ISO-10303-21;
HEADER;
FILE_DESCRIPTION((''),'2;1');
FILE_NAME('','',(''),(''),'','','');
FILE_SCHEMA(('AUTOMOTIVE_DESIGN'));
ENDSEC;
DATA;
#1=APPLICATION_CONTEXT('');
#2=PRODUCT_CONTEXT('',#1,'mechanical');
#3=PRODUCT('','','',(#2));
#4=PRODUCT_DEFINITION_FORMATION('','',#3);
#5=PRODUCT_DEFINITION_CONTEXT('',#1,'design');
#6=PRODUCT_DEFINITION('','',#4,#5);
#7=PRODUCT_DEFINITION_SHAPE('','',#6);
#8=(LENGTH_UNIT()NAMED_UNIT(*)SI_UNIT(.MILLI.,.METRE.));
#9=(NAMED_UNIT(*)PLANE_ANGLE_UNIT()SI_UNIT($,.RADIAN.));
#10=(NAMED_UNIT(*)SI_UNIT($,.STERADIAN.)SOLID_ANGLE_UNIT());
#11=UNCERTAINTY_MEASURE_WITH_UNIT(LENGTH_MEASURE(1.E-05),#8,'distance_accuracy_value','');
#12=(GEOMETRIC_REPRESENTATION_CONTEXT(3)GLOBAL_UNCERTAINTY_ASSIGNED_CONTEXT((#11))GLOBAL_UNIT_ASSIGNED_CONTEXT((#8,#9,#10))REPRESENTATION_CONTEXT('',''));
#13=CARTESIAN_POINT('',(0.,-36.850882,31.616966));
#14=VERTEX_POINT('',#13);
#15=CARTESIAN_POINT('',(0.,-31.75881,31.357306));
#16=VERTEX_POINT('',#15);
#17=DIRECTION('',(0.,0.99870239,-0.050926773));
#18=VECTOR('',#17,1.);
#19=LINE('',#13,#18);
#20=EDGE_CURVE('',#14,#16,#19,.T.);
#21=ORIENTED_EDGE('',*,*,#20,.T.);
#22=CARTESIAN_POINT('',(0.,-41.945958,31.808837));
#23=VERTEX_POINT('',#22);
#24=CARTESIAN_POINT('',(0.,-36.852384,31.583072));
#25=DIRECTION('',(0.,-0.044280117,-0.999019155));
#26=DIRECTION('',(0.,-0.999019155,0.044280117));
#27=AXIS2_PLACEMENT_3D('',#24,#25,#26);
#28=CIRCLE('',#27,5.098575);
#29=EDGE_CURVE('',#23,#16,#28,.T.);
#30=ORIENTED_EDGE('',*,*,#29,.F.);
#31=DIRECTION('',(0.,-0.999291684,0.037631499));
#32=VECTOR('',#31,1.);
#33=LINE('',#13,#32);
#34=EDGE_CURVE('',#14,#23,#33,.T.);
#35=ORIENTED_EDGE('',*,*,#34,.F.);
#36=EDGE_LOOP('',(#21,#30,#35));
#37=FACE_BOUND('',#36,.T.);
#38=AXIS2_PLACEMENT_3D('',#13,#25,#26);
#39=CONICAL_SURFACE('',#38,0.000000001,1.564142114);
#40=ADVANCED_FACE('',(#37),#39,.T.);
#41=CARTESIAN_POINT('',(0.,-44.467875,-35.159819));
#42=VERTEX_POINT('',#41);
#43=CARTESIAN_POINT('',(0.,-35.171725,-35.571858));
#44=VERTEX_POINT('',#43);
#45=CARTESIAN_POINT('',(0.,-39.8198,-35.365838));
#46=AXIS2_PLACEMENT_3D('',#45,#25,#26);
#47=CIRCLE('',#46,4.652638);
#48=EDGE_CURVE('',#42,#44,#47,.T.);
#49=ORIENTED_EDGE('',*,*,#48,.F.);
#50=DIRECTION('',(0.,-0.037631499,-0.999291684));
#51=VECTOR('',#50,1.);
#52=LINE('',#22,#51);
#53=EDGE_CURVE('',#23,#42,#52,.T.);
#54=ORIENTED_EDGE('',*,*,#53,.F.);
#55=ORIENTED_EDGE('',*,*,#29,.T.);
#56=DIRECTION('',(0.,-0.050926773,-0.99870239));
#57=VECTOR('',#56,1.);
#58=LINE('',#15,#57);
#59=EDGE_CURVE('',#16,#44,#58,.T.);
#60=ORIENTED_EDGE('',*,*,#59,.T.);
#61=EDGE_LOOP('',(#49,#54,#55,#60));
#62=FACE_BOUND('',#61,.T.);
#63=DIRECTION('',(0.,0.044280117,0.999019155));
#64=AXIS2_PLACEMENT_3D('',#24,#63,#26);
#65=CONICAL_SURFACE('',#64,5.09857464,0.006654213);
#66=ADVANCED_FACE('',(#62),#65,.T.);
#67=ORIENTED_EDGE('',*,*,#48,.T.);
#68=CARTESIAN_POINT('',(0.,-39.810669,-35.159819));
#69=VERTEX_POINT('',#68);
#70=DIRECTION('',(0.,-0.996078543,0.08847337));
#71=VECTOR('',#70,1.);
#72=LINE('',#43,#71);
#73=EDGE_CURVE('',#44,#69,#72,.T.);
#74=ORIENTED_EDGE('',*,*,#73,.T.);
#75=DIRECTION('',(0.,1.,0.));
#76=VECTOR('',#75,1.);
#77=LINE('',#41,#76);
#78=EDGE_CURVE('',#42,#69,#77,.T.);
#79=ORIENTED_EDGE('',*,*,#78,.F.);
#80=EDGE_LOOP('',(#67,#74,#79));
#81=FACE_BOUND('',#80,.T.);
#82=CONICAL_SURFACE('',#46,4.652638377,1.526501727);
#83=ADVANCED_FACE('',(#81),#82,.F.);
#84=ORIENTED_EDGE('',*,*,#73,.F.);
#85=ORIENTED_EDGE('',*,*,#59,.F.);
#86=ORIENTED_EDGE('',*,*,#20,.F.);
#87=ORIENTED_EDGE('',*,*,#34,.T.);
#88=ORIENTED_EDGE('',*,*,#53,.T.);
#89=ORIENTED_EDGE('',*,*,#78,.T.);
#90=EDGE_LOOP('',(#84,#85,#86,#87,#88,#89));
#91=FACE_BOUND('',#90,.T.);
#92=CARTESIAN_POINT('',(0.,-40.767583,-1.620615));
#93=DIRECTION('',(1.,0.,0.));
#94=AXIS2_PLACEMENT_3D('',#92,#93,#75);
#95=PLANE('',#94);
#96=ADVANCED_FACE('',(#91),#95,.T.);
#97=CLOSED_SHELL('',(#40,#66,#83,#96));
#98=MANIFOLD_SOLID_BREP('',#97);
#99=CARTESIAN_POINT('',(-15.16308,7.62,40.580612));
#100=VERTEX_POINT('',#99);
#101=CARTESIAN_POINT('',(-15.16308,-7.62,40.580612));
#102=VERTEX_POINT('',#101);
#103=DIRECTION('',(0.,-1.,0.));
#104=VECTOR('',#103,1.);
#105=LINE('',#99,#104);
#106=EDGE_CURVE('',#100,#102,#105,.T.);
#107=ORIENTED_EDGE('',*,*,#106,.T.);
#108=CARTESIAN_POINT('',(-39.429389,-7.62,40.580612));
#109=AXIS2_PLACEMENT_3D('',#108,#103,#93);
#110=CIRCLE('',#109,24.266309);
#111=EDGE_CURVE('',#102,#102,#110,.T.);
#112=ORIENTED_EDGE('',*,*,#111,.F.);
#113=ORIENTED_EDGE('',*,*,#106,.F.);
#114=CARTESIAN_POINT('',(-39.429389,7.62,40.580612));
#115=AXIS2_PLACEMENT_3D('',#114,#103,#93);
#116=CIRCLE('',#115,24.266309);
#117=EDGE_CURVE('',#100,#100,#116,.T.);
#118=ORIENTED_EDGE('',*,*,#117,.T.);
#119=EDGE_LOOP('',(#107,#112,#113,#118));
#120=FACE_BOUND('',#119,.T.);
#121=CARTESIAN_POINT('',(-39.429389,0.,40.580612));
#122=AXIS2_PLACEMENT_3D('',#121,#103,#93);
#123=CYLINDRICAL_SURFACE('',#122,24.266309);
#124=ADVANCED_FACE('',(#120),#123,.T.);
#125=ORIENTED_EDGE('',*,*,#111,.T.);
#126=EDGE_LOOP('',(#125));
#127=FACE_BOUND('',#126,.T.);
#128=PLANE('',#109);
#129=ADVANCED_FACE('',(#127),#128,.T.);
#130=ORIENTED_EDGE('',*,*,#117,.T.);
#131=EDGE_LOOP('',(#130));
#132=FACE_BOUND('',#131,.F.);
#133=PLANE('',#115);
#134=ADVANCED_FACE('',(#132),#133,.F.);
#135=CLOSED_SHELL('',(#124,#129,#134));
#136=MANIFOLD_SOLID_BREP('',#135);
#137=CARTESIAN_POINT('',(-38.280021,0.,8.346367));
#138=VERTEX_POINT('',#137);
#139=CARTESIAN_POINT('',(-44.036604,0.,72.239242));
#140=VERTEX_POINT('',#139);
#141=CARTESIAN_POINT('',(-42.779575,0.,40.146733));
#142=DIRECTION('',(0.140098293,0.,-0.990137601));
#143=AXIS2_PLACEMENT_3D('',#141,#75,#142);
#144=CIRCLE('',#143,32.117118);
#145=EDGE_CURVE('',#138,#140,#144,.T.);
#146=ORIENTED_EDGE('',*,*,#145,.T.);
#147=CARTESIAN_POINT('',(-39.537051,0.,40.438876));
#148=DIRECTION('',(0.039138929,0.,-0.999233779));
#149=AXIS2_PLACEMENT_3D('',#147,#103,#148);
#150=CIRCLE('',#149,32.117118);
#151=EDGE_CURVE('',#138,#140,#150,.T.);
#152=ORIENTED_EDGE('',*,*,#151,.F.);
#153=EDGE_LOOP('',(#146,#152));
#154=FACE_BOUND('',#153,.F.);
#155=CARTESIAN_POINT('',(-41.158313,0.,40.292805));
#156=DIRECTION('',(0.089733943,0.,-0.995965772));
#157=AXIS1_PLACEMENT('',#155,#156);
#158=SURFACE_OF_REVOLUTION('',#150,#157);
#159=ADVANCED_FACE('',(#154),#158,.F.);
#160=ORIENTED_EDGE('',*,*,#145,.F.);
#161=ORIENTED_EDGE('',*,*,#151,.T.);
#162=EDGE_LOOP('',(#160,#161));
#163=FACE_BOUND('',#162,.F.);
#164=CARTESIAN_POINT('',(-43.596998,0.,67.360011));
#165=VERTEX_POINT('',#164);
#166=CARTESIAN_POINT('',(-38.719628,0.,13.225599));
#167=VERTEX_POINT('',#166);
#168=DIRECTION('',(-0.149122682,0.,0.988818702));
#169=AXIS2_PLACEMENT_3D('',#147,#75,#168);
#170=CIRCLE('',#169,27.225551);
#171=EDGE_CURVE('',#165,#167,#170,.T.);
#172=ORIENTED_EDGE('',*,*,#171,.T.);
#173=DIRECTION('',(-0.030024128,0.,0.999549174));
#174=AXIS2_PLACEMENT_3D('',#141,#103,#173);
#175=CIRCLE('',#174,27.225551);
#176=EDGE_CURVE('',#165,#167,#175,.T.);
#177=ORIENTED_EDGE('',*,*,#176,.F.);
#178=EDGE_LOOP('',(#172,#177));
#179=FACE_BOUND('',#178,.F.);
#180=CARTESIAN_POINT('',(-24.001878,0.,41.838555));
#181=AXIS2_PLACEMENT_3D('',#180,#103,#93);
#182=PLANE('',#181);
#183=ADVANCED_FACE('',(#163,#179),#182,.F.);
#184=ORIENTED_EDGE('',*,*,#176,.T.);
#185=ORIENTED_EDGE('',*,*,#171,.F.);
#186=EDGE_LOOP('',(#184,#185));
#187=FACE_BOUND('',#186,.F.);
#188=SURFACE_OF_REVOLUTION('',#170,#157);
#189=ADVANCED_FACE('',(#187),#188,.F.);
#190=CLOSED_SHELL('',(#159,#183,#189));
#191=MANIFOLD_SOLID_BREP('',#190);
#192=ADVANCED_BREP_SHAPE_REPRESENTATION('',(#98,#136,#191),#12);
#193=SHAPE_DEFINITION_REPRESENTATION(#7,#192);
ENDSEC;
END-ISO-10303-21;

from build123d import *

# Parameters (mm, degrees)
F1_ANGLE = 180
F3_ANGLE = 180
F4_R     = 24.2663085854
F5_DEPTH = 7.62


with BuildPart() as f1:
    # F0 (on Front) → F1 (revolve)
    with BuildSketch(Plane.XZ):
        with BuildLine():
            Line((-38.7196275934, 13.2255986375), (-38.2800213993, 8.3463666961))
            ThreePointArc((-38.2800213993, 8.3463666961), (-7.5495005614, 43.3208717732), (-44.0366044641, 72.2392424941))
            Line((-44.0366044641, 72.2392424941), (-43.5969982699, 67.3600105527))
            ThreePointArc((-43.5969982699, 67.3600105527), (-12.4213336536, 42.8819321962), (-38.7196275934, 13.2255986375))
        make_face()
    revolve(axis=Axis((-41.1583129317, 0, 40.2928045951), (0.0897339434, 0, -0.9959657722)), revolution_arc=F1_ANGLE)


with BuildPart() as f3:
    # F2 (on Right) → F3 (revolve)
    with BuildSketch(Plane.YZ):
        Polygon((-36.8508817573, 31.6169658247), (-41.9459577987, 31.8088370815), (-44.467875052, -35.1598188281), (-39.8106686771, -35.1598188281), align=None)
    revolve(axis=Axis((0, -38.3307752172, -1.7714265017), (0, -0.0442801168, -0.9990191546)), revolution_arc=F3_ANGLE)


with BuildPart() as f5:
    # F4 (on Front) → F5 (new body, symmetric)
    with BuildSketch(Plane.XZ):
        with Locations((-39.4293889403, 40.580611676)):
            Circle(F4_R)
    extrude(amount=F5_DEPTH, both=True)


solid = Compound([f1.part, f3.part, f5.part])
